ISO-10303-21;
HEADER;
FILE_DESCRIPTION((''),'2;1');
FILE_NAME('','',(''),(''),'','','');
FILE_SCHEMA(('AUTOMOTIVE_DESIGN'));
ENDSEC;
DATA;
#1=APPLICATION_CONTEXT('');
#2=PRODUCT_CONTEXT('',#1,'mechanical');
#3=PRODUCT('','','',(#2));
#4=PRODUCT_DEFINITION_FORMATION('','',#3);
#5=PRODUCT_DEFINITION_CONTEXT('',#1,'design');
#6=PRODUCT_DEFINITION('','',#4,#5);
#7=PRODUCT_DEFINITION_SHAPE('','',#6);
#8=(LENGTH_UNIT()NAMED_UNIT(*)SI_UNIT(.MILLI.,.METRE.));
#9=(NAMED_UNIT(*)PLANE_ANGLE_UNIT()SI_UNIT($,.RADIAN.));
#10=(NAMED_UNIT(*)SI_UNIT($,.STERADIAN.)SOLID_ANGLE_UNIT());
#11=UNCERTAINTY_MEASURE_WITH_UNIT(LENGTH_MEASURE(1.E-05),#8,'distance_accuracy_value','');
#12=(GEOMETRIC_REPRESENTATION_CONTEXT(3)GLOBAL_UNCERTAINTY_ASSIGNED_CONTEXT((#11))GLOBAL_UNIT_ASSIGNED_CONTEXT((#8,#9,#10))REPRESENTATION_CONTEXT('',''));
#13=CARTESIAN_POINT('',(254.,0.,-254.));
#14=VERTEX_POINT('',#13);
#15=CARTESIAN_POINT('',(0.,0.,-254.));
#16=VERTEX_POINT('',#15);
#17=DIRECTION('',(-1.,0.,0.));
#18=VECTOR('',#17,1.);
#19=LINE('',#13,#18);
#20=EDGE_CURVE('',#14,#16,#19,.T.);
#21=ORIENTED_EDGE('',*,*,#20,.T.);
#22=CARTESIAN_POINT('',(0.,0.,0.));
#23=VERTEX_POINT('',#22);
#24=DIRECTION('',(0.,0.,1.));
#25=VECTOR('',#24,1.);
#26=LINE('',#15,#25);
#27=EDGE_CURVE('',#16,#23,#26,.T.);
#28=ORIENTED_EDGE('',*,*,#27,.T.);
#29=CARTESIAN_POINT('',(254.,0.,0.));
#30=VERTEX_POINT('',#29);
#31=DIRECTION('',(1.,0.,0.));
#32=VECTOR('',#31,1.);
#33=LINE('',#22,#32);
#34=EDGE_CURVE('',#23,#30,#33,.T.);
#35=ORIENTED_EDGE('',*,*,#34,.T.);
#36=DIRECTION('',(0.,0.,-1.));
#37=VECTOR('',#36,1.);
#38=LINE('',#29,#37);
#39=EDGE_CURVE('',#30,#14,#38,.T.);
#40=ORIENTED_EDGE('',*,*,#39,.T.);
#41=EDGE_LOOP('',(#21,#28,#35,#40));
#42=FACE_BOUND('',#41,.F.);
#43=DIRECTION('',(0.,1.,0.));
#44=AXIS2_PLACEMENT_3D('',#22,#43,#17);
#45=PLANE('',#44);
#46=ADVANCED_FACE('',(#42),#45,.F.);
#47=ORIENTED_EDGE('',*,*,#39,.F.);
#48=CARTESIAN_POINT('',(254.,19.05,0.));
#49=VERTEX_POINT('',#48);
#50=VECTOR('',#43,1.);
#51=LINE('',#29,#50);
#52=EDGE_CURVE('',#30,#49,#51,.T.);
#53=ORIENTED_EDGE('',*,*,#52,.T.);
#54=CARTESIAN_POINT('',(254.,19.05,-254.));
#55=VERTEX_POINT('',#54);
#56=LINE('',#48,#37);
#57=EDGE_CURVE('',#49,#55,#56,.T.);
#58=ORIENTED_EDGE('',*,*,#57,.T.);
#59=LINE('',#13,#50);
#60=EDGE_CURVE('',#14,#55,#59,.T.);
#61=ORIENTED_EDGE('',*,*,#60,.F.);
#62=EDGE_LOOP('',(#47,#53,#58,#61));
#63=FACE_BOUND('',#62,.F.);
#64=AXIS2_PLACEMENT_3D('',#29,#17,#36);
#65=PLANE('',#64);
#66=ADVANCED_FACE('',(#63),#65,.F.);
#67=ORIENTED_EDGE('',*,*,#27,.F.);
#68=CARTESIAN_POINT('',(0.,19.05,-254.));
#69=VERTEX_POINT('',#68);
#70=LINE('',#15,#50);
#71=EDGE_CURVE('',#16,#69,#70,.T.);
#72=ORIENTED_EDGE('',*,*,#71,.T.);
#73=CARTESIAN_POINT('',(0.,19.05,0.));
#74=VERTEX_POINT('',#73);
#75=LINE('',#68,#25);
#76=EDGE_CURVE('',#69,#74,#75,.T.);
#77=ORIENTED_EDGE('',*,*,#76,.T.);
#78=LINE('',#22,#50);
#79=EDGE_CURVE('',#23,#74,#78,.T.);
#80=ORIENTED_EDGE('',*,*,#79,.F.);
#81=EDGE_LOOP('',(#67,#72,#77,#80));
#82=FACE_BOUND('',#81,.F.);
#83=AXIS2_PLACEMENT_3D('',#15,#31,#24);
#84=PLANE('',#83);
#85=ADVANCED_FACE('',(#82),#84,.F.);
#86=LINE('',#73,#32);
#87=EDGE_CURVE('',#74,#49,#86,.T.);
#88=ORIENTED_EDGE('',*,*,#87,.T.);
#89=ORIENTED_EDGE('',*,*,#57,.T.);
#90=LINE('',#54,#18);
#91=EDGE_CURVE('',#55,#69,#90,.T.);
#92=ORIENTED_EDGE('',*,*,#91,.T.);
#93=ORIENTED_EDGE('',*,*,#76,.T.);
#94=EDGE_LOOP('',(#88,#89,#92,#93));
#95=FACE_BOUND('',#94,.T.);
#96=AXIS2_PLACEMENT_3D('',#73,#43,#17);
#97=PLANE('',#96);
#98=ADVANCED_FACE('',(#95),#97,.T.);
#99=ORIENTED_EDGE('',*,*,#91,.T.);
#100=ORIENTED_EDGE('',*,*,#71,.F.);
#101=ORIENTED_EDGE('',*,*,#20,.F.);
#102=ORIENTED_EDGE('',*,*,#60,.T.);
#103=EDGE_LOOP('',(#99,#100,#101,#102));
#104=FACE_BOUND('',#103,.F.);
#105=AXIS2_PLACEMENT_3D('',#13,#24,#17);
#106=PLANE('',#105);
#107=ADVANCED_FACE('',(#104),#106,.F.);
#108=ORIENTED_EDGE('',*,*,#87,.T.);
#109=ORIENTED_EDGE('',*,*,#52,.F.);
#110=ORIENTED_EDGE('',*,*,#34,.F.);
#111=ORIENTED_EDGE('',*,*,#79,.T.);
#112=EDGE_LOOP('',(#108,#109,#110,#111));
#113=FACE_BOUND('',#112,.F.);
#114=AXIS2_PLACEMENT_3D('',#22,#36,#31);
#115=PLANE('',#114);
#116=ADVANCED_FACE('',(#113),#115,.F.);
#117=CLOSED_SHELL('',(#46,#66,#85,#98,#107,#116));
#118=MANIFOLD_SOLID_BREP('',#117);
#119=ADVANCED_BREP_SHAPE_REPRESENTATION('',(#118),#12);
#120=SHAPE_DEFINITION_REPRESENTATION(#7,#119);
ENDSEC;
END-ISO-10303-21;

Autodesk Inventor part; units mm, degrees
ref_plane "YZ Plane" through (0, 0, 0) normal (1, 0, 0) x (0, 1, 0)
ref_plane "XZ Plane" through (0, 0, 0) normal (0, 1, 0) x (-1, 0, 0)
ref_plane "XY Plane" through (0, 0, 0) normal (0, 0, 1) x (1, 0, 0)
sketch "Sketch1" plane through (0, 0, 0) normal (0, 1, 0) x (-1, 0, 0)
  line L0 (0, 0) -> (-254, 0)
  line L1 (-254, 0) -> (-254, -254)
  line L2 (-254, -254) -> (0, -254)
  line L3 (0, -254) -> (0, 0)
  dimension "d0" = 254
  dimension "d1" = 254
extrude "Extrusion1" add sketch "Sketch1" along normal blind 19.05
properties part number "topbottomsquare"
